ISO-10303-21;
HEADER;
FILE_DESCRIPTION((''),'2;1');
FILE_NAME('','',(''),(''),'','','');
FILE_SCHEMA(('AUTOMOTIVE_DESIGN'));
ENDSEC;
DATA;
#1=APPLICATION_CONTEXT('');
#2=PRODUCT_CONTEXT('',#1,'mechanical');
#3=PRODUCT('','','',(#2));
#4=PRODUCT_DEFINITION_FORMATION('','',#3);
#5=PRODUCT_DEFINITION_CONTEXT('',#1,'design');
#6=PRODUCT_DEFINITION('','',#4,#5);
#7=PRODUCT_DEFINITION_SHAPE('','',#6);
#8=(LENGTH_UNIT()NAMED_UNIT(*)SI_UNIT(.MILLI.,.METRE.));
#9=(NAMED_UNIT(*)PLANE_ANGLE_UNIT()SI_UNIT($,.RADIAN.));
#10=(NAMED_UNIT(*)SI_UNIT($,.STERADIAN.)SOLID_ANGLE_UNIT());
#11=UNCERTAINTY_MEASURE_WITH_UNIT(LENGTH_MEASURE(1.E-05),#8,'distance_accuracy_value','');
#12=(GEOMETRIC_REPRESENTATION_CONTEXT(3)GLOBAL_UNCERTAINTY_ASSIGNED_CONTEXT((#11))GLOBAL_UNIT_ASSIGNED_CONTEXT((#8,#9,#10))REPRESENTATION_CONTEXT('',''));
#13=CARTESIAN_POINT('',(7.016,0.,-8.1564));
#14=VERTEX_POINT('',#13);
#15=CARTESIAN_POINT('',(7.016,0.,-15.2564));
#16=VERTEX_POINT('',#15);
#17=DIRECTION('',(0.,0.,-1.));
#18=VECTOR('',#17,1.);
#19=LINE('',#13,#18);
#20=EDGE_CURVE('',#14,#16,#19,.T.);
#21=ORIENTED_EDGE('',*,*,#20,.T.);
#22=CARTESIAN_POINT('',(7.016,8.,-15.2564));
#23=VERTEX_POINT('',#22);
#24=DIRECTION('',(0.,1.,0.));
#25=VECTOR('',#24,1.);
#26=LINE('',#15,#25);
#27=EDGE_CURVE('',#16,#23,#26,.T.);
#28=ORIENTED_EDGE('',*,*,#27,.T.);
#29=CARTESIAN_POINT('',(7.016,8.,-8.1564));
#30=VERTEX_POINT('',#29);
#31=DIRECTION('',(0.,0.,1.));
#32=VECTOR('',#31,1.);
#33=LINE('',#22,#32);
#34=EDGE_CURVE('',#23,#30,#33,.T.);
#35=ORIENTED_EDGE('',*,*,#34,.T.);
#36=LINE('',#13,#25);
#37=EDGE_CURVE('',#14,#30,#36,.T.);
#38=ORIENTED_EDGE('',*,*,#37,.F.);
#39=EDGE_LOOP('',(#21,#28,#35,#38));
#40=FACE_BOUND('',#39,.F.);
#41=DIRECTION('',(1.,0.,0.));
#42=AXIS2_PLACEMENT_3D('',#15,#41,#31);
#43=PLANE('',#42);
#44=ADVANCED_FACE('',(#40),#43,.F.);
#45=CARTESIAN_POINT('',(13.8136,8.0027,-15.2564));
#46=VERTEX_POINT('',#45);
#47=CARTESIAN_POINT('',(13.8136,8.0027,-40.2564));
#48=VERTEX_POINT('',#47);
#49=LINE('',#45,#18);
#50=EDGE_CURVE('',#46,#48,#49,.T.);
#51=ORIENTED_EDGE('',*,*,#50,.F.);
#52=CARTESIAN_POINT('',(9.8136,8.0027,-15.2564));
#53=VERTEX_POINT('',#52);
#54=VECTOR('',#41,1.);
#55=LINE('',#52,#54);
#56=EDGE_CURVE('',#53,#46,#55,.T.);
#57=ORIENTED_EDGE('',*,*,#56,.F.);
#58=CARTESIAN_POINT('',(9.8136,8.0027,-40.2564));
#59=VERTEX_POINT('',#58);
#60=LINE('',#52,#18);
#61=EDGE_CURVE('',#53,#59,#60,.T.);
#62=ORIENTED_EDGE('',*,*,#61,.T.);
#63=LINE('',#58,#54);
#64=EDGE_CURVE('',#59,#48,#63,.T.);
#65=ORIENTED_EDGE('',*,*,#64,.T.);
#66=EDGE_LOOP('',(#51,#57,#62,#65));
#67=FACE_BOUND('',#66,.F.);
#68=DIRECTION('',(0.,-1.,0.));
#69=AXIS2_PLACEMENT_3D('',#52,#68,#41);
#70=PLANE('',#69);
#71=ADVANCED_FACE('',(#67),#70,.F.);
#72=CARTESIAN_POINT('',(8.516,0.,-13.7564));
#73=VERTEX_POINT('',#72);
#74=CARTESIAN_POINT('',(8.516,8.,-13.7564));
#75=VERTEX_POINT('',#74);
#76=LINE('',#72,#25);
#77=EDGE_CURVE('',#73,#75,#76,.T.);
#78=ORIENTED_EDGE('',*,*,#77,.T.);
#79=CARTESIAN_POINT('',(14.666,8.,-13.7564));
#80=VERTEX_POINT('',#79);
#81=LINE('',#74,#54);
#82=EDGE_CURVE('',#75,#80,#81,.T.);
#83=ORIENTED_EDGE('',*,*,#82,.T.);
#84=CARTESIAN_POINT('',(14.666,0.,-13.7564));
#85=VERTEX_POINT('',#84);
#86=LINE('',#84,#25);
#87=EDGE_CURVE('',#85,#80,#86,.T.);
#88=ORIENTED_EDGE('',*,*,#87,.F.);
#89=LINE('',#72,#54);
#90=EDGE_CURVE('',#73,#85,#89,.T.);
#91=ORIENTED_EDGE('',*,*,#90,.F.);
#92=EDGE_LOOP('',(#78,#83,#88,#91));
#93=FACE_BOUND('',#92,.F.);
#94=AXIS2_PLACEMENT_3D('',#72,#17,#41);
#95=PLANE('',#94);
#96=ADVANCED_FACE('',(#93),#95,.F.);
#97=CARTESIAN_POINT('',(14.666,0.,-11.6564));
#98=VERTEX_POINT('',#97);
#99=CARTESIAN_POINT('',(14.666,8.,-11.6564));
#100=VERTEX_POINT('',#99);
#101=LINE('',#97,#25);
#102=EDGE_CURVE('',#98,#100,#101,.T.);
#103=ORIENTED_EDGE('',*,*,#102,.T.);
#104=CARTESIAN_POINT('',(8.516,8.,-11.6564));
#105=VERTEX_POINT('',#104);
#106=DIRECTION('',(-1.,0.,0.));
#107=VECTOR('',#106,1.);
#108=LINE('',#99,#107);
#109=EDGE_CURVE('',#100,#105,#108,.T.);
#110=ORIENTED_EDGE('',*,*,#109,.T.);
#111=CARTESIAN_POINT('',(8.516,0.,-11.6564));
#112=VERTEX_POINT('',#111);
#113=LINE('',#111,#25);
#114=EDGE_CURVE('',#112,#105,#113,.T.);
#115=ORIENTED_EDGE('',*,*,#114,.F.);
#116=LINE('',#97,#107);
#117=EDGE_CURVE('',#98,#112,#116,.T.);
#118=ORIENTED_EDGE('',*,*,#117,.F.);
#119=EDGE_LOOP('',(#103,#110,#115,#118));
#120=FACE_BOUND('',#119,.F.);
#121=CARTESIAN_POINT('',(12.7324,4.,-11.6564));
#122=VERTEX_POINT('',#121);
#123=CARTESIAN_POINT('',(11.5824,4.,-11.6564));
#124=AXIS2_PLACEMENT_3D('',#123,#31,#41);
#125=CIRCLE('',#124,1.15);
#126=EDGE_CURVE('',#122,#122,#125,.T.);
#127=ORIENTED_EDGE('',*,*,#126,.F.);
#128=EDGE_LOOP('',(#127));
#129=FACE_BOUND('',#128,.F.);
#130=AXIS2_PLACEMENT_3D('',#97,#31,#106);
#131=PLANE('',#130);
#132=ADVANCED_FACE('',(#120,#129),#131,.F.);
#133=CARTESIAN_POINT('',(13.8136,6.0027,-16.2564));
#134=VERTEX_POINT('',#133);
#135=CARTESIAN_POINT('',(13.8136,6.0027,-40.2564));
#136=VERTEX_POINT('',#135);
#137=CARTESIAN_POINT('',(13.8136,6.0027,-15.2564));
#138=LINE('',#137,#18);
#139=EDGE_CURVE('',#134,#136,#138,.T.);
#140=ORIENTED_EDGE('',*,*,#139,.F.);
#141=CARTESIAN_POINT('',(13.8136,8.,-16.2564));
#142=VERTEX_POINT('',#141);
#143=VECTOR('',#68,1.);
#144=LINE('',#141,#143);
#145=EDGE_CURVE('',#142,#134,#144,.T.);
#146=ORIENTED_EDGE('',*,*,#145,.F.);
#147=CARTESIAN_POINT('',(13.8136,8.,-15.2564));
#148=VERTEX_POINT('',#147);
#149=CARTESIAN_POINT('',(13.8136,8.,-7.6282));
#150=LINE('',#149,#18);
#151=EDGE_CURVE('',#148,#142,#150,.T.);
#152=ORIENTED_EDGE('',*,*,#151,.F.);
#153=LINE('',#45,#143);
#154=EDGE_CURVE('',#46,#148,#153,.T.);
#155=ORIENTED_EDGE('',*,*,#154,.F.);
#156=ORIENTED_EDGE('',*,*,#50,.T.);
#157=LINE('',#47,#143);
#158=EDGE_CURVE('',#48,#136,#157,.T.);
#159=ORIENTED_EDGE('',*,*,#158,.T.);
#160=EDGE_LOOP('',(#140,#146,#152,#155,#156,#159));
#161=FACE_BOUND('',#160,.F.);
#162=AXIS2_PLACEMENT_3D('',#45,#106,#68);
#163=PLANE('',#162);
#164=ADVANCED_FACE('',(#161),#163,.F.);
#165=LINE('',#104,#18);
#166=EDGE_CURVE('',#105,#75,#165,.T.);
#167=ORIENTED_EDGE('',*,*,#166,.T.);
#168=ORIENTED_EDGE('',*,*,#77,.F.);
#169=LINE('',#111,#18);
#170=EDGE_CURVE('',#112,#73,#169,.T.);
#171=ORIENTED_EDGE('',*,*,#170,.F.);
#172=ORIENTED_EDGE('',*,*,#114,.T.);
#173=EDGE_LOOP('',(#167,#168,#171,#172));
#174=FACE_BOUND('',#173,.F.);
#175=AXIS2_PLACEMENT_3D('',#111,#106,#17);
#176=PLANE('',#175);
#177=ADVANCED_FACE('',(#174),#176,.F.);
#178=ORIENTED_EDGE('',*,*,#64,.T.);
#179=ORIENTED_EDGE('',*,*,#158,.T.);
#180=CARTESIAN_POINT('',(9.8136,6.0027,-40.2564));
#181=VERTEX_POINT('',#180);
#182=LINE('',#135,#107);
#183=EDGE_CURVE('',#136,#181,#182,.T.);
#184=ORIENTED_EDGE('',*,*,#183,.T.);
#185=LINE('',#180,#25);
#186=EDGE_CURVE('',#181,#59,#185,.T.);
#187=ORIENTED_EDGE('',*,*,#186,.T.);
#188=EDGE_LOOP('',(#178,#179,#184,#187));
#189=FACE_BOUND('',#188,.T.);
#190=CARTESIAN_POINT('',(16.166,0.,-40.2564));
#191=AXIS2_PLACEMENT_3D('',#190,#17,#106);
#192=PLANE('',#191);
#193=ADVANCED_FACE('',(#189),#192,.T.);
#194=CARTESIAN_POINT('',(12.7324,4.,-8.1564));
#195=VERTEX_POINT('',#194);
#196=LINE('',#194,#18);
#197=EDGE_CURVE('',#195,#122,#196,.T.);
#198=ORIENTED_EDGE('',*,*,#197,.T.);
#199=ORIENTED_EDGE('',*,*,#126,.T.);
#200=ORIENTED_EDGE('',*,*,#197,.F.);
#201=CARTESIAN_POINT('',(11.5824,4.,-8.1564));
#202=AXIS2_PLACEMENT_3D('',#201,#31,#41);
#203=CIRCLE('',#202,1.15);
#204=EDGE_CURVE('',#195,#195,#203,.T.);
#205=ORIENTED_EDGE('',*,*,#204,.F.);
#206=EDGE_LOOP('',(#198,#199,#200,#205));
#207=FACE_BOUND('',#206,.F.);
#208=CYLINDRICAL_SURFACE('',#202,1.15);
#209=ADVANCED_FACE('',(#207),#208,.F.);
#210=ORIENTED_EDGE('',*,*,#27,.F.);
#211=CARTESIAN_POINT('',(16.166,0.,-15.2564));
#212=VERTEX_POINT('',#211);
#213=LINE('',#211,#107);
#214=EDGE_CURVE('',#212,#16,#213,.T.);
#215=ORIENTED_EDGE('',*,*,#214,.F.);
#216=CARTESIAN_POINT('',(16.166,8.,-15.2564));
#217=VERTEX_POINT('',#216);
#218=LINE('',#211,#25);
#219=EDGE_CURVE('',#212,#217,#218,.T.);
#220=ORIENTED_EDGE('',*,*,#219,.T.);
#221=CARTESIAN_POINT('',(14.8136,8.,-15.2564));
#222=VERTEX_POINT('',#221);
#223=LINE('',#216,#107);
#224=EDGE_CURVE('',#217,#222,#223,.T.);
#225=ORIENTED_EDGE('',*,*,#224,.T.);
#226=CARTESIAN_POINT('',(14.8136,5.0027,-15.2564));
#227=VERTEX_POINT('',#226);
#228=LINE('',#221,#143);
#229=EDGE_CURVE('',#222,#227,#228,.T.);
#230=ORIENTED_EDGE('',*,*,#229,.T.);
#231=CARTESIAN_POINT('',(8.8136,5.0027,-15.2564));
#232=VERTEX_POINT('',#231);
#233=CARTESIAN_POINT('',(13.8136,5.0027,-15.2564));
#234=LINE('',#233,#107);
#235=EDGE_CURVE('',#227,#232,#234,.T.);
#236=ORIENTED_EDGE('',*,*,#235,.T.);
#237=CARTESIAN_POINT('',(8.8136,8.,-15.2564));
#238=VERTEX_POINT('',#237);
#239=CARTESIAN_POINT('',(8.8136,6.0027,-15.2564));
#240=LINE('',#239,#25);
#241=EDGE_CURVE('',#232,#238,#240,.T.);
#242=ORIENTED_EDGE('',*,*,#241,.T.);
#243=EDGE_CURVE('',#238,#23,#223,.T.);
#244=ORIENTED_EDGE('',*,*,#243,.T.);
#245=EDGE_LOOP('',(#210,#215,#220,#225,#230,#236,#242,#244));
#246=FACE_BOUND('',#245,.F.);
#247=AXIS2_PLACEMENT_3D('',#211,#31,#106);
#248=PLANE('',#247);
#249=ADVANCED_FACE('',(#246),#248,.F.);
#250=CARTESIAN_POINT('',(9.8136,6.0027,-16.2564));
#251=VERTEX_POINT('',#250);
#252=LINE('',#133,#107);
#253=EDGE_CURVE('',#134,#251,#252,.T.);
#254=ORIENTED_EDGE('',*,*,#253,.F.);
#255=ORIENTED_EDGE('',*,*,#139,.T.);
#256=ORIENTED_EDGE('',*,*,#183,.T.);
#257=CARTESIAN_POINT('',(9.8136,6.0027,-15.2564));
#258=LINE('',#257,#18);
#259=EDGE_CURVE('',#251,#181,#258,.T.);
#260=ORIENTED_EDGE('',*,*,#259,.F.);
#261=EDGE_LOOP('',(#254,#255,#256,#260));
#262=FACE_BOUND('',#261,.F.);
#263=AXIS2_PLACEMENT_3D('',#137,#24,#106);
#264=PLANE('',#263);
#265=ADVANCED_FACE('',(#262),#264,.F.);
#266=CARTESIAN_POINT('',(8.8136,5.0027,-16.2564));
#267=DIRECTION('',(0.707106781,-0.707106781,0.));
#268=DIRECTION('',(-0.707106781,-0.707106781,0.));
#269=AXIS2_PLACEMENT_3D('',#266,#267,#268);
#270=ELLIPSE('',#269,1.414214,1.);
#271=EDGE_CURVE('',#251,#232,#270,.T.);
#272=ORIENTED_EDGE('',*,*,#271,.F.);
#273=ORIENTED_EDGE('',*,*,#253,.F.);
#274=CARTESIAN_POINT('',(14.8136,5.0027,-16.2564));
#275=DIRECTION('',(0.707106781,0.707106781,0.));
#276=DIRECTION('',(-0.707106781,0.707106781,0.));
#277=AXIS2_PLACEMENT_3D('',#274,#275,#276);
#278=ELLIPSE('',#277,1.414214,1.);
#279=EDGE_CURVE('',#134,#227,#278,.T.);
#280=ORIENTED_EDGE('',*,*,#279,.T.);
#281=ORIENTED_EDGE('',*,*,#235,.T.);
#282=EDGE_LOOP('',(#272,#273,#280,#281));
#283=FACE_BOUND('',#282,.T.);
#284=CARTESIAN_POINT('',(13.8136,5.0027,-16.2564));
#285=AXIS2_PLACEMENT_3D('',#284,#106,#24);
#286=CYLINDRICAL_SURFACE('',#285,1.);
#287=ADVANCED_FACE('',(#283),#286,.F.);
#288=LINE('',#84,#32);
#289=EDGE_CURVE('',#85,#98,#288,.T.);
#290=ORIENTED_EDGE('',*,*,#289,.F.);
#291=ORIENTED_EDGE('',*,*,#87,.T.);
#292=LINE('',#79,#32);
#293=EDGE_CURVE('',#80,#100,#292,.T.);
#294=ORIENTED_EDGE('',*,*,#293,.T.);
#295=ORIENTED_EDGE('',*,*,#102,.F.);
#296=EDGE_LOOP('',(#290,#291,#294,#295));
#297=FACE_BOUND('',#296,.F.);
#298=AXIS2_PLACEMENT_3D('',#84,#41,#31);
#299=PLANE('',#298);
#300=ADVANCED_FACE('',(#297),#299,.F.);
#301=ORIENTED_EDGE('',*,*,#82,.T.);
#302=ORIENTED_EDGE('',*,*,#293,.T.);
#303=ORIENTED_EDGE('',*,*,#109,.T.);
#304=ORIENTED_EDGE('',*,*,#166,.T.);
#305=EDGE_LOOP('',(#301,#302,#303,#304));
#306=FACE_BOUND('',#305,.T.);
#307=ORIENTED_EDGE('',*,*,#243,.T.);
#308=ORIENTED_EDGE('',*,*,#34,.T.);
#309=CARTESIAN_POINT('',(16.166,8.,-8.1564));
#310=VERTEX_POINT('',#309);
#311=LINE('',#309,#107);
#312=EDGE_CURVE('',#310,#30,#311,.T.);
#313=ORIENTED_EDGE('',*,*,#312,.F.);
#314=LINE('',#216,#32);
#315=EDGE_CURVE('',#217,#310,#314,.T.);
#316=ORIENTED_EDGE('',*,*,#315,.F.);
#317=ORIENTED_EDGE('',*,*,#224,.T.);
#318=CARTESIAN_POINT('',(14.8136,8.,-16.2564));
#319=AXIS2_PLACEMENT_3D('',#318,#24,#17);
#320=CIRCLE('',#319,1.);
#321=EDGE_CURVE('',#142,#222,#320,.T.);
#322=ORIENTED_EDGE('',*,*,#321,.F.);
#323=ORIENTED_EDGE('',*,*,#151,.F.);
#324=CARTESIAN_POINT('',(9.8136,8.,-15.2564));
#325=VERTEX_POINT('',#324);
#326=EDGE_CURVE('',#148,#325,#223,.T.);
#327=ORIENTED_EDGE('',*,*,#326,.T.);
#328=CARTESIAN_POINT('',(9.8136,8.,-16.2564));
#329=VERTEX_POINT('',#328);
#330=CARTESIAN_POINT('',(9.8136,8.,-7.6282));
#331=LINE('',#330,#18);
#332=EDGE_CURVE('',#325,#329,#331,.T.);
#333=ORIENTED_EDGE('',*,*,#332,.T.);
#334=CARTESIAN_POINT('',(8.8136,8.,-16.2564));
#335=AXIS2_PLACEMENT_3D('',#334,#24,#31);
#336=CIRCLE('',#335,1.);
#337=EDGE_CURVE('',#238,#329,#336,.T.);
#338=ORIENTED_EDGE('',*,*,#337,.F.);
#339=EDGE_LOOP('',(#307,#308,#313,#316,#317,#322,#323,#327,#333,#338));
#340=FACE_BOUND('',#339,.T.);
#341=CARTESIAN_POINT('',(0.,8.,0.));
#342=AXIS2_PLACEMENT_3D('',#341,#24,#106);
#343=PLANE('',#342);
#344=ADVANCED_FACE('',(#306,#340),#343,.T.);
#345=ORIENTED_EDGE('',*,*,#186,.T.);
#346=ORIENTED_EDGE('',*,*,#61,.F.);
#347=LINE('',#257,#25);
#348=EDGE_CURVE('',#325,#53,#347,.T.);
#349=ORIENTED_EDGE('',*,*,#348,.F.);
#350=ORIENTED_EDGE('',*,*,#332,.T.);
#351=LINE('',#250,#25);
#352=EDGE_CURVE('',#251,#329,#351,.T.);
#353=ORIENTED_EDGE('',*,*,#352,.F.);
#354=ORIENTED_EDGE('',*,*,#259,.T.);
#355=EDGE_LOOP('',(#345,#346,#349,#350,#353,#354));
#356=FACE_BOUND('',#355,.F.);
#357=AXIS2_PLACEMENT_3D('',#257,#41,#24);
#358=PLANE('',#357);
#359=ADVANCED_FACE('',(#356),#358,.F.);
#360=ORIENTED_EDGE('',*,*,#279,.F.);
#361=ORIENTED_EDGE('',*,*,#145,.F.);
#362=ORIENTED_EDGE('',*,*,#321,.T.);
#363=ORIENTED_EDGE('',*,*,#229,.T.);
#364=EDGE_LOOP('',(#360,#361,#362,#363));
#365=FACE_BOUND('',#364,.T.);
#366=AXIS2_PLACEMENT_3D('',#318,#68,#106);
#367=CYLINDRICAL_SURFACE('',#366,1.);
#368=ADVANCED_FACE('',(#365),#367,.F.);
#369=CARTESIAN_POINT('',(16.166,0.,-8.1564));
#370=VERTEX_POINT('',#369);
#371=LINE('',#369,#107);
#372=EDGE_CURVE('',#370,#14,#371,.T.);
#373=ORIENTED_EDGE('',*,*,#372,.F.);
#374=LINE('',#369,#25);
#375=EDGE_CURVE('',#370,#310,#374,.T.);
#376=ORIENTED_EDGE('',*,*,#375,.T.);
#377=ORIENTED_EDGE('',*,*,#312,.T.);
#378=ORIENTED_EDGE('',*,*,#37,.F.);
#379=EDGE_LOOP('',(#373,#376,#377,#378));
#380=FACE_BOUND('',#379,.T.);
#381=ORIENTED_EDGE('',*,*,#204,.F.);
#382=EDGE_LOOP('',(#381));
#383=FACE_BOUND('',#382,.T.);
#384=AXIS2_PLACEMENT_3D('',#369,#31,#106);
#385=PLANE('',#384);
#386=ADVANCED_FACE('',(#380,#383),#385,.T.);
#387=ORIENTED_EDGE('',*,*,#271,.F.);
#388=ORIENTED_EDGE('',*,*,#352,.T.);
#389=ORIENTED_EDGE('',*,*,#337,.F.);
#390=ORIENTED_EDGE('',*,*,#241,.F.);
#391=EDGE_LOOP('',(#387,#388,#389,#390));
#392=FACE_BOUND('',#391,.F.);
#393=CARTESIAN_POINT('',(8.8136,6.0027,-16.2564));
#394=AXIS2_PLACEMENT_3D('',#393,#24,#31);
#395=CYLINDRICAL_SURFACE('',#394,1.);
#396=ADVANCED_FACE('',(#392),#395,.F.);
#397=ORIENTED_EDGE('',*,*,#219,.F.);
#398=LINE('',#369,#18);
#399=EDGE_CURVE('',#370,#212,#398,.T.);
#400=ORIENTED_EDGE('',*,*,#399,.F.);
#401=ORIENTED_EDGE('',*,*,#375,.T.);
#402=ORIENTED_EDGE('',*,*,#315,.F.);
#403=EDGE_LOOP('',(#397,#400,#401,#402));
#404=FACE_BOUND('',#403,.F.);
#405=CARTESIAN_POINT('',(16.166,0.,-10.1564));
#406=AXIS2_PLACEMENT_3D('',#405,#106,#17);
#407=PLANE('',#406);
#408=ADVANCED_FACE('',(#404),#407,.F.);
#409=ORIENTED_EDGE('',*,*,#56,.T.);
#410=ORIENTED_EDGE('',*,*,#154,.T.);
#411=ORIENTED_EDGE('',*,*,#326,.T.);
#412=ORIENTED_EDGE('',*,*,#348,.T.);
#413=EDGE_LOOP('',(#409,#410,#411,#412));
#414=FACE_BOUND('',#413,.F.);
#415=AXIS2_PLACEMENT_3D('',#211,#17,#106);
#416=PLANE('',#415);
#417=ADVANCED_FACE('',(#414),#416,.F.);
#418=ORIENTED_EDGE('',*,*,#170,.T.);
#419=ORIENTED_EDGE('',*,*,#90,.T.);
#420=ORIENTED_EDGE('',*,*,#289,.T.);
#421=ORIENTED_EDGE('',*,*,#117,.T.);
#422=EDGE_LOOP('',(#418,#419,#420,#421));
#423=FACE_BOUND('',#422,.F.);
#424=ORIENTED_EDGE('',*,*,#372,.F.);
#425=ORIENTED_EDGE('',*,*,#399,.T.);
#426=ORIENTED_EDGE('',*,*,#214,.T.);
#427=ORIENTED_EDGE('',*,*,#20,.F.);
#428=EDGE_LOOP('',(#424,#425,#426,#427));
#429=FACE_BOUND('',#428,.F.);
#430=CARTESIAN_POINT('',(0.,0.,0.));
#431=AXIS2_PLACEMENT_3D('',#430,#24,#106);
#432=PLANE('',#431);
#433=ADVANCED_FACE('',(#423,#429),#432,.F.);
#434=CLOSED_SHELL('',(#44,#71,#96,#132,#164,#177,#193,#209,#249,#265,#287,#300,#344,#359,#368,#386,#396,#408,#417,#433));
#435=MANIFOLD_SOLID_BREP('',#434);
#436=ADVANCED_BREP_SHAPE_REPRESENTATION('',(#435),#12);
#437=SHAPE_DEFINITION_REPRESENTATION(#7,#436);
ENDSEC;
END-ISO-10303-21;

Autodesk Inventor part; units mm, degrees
ref_plane "YZ Plane" through (0, 0, 0) normal (1, 0, 0) x (0, 1, 0)
ref_plane "XZ Plane" through (0, 0, 0) normal (0, 1, 0) x (-1, 0, 0)
ref_plane "XY Plane" through (0, 0, 0) normal (0, 0, 1) x (1, 0, 0)
sketch "Sketch1" plane through (0, 0, 0) normal (0, 1, 0) x (-1, 0, 0)
  line L0 (-14.666, -11.6564) -> (-8.516, -11.6564)
  line L1 (-8.516, -11.6564) -> (-8.516, -13.7564)
  line L2 (-8.516, -13.7564) -> (-14.666, -13.7564)
  line L3 (-14.666, -13.7564) -> (-14.666, -11.6564)
  line L4 (-14.666, -11.6564) -> (-8.516, -13.7564) construction
  line L5 (-8.516, -11.6564) -> (-14.666, -13.7564) construction
  line L6 (-16.166, -15.2564) -> (-7.016, -15.2564)
  line L7 (-7.016, -15.2564) -> (-7.016, -10.1564)
  line L8 (-16.166, -10.1564) -> (-16.166, -15.2564)
  line L9 (-16.166, -8.1564) -> (-7.016, -8.1564)
  line L10 (-7.016, -10.1564) -> (-7.016, -8.1564)
  line L11 (-16.166, -10.1564) -> (-16.166, -8.1564)
  point P0 (0, 0)
  point P1 (-11.591, -12.7064)
  dimension "d0" = 6.15
  dimension "d1" = 2.1
  dimension "d2" = 1.5
extrude "Extrusion1" add sketch "Sketch1" along normal blind 8
sketch "Sketch4" plane through (7.016, 0, -8.1564) normal (0, 0, 1) x (1, 0, 0)
  circle A0 centre (4.5664, 4) radius 1.15
  point P0 (-7.016, 0)
  dimension "d13" = 2.3
extrude "Extrusion4" cut sketch "Sketch4" against normal blind 4
sketch "Sketch5" plane through (16.166, 0, -15.2564) normal (0, 0, -1) x (-1, 0, 0)
  line L0 (2.3524, 6.0027) -> (6.3524, 6.0027)
  line L1 (6.3524, 6.0027) -> (6.3524, 8.0027)
  line L2 (6.3524, 8.0027) -> (2.3524, 8.0027)
  line L3 (2.3524, 8.0027) -> (2.3524, 6.0027)
  line L4 (2.3524, 6.0027) -> (6.3524, 8.0027) construction
  line L5 (6.3524, 6.0027) -> (2.3524, 8.0027) construction
  point P0 (16.166, 0)
  point P1 (4.3524, 7.0027)
  dimension "d16" = 4
  dimension "d17" = 2
extrude "Extrusion5" add sketch "Sketch5" along normal blind 25
fillet "Fillet1" radius 1 3 edges at (11.8136, 6.0027, -15.2564) (9.8136, 7.0014, -15.2564) (13.8136, 7.0014, -15.2564)
thread "Thread1" size "M0.6x0.15" class "6H" standard "ANSI Metric M Profile" full length
properties part number "slider"
